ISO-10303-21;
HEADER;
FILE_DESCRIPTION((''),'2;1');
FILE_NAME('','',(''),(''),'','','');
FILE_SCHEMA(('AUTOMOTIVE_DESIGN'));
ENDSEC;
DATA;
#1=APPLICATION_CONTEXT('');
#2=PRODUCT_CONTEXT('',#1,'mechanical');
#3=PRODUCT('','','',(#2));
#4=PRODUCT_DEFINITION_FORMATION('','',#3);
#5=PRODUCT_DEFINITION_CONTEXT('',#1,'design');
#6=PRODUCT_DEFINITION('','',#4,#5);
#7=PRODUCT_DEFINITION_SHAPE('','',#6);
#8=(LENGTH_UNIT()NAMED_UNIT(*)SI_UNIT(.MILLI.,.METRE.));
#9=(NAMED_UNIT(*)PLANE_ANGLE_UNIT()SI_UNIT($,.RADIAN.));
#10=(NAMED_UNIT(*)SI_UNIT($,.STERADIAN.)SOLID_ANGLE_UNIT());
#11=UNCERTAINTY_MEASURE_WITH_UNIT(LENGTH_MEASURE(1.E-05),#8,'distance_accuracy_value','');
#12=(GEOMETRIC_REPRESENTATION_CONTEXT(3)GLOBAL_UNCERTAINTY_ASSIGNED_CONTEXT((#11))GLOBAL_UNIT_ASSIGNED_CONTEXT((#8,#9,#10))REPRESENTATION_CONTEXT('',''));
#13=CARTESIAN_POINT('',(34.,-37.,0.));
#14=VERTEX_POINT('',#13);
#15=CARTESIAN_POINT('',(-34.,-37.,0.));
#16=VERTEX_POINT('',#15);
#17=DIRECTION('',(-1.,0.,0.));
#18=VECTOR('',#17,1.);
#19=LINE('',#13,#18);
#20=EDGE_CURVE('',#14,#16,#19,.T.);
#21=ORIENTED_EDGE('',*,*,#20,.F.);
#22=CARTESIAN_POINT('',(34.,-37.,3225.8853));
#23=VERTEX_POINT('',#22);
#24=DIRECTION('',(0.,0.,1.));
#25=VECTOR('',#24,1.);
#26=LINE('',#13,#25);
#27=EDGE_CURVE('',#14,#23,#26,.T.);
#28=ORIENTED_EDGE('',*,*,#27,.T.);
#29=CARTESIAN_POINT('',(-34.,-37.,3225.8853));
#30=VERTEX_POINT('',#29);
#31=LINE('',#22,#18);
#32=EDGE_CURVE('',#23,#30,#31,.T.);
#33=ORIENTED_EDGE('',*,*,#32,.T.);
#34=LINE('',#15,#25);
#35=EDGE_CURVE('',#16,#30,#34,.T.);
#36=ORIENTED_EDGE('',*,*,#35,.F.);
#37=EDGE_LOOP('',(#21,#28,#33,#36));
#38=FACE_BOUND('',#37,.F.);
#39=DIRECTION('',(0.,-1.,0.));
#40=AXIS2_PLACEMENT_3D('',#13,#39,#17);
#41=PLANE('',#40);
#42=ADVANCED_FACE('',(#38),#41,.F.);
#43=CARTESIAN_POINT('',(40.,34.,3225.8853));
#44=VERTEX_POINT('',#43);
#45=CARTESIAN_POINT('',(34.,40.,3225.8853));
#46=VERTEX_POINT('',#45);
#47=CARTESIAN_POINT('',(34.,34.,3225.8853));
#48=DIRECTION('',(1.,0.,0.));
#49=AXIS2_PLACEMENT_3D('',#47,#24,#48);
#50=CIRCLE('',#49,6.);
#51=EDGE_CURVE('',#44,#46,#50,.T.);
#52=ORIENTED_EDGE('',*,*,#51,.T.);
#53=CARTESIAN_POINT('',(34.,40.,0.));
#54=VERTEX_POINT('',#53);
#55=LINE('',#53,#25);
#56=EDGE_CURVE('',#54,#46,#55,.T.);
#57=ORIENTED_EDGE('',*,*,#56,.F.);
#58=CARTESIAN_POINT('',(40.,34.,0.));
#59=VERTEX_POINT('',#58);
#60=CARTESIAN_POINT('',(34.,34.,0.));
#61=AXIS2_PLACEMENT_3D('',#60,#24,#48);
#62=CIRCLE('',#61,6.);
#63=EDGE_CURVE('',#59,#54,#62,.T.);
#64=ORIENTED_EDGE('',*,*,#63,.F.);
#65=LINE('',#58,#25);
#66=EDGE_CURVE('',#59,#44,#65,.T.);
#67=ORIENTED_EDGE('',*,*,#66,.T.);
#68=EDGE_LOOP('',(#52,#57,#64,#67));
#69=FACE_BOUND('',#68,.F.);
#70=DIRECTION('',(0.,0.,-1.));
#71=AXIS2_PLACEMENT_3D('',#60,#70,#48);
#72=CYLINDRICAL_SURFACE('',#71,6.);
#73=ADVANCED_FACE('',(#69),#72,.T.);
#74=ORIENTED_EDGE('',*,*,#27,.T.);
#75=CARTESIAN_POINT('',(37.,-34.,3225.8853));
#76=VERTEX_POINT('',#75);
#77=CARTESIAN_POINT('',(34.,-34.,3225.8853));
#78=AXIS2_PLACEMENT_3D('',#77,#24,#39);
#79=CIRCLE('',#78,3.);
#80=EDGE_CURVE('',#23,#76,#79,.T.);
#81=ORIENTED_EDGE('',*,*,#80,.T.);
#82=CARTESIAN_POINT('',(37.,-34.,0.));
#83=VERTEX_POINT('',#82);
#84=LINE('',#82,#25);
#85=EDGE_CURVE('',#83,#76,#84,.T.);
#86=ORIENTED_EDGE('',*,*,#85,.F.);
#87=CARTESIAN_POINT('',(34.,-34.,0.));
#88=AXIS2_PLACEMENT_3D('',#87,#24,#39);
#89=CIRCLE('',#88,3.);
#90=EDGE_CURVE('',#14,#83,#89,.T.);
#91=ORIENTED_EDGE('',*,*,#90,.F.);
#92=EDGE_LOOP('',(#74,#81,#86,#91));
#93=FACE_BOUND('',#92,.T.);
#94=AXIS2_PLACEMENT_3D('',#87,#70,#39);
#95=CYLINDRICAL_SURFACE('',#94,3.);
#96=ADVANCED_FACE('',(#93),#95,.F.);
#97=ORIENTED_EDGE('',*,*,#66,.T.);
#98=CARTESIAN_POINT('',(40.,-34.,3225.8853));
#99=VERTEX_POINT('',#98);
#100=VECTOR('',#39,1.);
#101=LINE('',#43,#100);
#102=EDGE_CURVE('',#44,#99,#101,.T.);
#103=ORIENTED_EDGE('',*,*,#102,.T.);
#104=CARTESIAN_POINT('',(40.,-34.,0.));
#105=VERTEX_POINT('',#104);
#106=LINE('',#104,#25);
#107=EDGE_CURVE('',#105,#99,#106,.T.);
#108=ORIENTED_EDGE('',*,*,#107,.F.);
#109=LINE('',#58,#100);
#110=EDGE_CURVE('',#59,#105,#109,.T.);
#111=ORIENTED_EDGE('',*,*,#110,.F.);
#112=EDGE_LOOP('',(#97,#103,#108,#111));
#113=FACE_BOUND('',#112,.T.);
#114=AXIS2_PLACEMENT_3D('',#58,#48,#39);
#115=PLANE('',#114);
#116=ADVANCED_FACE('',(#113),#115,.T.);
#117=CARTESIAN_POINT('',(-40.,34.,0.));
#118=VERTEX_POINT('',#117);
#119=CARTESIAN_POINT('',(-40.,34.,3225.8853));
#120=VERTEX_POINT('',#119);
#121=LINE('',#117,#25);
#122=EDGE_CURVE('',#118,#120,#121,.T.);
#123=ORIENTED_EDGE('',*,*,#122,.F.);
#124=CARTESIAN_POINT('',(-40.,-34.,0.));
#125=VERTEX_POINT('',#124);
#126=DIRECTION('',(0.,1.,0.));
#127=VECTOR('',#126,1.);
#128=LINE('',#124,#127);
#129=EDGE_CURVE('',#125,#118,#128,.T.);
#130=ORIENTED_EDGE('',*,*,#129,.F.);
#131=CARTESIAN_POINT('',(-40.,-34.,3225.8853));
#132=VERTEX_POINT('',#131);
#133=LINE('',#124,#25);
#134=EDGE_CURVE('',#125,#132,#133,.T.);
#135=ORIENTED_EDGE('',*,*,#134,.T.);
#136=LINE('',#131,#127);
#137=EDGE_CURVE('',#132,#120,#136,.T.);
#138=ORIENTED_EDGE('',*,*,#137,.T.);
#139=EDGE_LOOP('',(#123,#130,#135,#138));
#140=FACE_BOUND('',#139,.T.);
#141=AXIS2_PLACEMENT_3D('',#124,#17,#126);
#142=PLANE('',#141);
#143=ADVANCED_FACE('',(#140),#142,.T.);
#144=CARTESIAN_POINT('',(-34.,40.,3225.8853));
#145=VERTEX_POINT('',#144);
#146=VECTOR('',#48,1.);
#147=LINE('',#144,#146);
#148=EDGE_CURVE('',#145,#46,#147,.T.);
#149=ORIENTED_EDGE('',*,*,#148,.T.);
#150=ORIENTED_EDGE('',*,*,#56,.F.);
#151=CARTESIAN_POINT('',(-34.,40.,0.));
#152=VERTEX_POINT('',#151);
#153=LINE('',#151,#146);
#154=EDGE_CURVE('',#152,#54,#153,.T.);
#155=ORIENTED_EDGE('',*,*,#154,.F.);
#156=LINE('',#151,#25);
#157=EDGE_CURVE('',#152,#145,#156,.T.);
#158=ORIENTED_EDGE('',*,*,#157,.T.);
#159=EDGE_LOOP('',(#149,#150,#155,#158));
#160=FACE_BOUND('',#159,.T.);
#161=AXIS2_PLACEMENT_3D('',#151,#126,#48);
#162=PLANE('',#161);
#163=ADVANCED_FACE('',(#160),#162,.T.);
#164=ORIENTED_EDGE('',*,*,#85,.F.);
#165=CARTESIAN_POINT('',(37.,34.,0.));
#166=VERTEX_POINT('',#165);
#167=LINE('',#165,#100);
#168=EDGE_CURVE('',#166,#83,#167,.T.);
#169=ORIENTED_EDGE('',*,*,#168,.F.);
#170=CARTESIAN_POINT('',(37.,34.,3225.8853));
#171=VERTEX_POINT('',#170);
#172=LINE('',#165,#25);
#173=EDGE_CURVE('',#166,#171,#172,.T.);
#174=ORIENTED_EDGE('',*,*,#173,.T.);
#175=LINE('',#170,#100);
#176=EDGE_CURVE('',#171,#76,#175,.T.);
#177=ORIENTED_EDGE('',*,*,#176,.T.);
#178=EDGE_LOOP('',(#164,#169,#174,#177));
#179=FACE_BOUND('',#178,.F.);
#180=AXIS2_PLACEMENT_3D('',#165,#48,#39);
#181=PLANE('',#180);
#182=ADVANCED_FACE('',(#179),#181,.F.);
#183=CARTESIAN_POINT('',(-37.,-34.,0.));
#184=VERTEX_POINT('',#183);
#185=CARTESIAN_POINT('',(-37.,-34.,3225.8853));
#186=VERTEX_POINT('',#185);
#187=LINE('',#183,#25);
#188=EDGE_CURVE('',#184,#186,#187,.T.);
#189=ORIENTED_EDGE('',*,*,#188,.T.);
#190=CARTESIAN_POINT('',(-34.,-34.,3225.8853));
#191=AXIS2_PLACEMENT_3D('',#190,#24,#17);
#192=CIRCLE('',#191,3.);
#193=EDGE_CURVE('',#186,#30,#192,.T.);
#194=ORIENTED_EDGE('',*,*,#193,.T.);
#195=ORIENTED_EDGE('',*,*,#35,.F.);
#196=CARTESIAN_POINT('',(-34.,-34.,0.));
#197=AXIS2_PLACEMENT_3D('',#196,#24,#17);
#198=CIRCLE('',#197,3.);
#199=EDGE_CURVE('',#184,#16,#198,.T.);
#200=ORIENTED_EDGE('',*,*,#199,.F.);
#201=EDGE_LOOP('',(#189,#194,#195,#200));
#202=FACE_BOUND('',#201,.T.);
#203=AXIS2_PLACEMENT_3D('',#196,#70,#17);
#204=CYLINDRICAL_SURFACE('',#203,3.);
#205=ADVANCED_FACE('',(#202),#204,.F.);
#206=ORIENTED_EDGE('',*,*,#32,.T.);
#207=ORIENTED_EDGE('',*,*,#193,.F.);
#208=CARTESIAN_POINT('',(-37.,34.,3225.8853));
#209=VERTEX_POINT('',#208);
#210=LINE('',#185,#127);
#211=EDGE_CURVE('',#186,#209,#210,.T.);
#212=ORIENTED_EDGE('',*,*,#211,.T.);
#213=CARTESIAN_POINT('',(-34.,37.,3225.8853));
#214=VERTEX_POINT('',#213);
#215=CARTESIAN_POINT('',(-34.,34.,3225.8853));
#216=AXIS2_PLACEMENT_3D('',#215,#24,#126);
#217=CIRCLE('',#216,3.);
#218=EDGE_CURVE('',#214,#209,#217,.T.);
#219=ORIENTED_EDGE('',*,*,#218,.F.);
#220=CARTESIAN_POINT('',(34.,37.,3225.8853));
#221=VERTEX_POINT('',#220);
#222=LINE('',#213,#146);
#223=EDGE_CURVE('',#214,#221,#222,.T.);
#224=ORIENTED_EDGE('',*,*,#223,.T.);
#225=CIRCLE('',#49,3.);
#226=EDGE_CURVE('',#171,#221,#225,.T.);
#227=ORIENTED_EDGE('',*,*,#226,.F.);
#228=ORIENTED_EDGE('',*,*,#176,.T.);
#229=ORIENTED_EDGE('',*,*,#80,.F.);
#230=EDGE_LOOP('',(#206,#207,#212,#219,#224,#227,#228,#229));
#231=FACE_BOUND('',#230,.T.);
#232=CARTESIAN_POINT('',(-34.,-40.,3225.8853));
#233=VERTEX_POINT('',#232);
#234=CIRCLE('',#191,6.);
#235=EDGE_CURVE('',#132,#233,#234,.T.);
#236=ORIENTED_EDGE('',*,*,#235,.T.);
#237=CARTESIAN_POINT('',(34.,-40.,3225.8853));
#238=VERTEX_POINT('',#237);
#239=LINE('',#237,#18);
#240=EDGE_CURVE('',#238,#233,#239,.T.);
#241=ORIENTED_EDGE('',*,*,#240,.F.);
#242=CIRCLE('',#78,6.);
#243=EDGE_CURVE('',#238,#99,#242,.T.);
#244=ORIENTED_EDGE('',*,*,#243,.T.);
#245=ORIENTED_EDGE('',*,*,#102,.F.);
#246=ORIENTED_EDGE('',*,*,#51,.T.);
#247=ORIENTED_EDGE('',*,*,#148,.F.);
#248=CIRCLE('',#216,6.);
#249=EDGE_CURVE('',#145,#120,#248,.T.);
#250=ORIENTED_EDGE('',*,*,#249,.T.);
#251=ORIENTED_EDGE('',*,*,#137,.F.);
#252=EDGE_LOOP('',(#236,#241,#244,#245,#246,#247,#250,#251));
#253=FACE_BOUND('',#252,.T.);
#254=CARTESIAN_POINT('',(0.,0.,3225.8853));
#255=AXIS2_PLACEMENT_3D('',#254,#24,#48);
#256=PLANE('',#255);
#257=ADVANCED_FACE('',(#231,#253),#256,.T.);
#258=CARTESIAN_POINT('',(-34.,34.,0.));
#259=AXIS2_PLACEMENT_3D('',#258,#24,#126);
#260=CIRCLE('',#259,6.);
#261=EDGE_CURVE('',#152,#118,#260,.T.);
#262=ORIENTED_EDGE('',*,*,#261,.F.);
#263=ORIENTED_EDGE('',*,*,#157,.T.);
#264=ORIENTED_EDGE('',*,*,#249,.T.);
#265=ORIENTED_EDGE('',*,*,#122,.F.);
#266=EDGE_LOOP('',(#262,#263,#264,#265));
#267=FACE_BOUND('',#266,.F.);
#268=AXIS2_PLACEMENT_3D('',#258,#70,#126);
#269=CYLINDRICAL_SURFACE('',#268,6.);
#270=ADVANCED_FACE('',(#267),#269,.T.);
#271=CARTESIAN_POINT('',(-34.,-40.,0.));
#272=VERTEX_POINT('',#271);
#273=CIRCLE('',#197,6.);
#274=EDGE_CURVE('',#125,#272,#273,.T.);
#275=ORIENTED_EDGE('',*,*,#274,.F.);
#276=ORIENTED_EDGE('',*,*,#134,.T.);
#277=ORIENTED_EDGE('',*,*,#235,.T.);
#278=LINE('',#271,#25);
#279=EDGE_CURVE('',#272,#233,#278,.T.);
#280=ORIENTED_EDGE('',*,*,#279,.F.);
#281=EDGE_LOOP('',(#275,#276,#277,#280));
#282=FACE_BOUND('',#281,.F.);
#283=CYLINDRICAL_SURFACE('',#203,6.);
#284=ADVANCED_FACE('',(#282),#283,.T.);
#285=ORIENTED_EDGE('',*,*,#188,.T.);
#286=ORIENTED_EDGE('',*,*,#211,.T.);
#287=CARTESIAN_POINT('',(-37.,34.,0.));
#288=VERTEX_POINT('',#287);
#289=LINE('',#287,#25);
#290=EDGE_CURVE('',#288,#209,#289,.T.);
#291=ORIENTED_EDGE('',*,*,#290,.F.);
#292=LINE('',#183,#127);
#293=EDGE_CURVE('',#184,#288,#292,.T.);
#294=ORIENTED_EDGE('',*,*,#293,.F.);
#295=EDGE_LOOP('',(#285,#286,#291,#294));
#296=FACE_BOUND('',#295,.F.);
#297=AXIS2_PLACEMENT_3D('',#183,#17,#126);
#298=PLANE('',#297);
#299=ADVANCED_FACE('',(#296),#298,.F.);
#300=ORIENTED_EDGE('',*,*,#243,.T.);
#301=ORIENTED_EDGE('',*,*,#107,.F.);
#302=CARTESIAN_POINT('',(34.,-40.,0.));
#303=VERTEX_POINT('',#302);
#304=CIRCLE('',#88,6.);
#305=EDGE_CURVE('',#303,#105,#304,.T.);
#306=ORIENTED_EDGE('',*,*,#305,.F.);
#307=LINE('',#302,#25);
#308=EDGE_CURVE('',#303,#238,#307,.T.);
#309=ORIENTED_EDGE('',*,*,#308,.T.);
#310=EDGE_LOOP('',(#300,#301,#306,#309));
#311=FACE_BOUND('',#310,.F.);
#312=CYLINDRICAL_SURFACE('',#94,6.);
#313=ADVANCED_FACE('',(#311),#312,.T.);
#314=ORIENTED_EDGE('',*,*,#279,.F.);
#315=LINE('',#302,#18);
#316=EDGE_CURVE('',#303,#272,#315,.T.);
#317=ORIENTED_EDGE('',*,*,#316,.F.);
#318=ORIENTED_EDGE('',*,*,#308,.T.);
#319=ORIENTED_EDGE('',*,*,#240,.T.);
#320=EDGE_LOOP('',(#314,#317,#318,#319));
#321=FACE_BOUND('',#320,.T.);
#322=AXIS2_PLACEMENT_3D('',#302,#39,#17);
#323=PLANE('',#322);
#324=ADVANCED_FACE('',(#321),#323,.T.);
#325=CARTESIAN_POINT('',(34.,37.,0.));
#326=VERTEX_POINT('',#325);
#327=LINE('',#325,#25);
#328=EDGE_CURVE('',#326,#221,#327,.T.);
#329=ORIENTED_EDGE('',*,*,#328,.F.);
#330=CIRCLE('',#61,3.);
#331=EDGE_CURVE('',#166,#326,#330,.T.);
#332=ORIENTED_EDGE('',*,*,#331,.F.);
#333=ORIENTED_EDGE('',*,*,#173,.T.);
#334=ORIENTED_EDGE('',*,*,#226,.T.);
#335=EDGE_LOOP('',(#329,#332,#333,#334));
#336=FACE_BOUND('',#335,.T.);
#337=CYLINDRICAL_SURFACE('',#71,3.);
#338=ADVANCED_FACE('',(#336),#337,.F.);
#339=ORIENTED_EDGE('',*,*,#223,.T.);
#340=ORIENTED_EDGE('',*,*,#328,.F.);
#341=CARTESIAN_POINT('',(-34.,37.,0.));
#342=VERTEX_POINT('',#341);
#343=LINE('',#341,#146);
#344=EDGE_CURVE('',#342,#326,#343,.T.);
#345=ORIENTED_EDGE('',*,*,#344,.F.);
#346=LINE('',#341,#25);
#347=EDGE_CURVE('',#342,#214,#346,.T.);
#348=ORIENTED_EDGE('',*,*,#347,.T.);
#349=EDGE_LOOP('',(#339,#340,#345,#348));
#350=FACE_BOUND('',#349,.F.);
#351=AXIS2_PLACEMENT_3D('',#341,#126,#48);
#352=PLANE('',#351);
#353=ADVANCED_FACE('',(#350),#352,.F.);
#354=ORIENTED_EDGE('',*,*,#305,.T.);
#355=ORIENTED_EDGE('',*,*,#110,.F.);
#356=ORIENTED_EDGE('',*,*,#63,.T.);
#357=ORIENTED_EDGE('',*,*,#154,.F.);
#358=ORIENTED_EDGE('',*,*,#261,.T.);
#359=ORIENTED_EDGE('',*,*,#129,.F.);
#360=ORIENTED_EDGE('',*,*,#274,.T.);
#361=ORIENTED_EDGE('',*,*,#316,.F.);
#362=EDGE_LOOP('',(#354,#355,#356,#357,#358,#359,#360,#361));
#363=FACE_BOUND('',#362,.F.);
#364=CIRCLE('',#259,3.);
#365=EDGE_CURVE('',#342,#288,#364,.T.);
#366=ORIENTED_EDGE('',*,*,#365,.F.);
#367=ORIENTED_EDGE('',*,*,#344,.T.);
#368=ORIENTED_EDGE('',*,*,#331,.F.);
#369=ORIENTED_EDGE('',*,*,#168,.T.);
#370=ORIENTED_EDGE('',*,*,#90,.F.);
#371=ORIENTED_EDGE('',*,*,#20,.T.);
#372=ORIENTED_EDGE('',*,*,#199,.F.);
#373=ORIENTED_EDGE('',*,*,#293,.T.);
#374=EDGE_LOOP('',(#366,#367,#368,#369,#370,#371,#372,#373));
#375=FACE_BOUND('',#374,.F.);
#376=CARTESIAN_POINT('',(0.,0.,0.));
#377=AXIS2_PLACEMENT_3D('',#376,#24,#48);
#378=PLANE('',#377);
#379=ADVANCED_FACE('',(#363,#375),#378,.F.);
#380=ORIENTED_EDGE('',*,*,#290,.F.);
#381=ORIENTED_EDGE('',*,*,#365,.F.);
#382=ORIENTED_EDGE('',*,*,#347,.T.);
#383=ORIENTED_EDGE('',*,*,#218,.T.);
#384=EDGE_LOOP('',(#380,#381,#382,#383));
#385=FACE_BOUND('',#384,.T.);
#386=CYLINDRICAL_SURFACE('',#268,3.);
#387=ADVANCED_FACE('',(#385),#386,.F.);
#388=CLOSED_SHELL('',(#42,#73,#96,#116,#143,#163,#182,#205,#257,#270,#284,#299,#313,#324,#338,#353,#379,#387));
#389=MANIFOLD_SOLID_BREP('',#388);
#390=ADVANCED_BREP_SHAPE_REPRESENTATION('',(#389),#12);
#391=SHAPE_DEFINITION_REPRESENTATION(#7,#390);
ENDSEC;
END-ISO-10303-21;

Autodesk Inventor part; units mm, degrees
ref_plane "YZ Plane" through (0, 0, 0) normal (1, 0, 0) x (0, 1, 0)
ref_plane "Start Plane" through (0, 0, 0) normal (0, 0, 1) x (1, 0, 0)
ref_plane "End Plane" through (0, 0, 3225.8853) normal (0, 0, 1) x (1, 0, 0)
sketch "Sketch" plane through (0, 0, 0) normal (0, 0, 1) x (1, 0, 0)
  line L0 (-40, -34) -> (-40, 34)
  line L1 (-34, 40) -> (34, 40)
  line L2 (40, 34) -> (40, -34)
  line L3 (34, -40) -> (-34, -40)
  arc A0 (-40, -34) -> (-34, -40) centre (-34, -34) ccw
  arc A1 (40, 34) -> (34, 40) centre (34, 34) ccw
  arc A2 (-34, 40) -> (-40, 34) centre (-34, 34) ccw
  arc A3 (34, -40) -> (40, -34) centre (34, -34) ccw
  arc A4 (-34, 37) -> (-37, 34) centre (-34, 34) ccw
  line L4 (-34, 37) -> (34, 37)
  arc A5 (37, 34) -> (34, 37) centre (34, 34) ccw
  line L5 (37, 34) -> (37, -34)
  arc A6 (34, -37) -> (37, -34) centre (34, -34) ccw
  line L6 (34, -37) -> (-34, -37)
  arc A7 (-37, -34) -> (-34, -37) centre (-34, -34) ccw
  line L7 (-37, -34) -> (-37, 34)
  line L8 (0, 57.7397) -> (0, -57.7397) construction
  line L9 (-57.7397, 0) -> (57.7397, 0) construction
  dimension "d7" = 6
  dimension "d9" = 80
  dimension "d11" = 80
  dimension "d12" = 3
  dimension "d15" = 40
  dimension "d16" = 40
extrude "Body" add sketch "Sketch" along normal up to surface (3225.8853 mm away) from surface at 0
sketch "Sketch3" plane through (0, 0, 0) normal (0, 0, 1) x (1, 0, 0)
  line L0 (0, 0) -> (10, 0)
ref_plane "Work Plane3" through (0, 0, 0) normal (0, -1, 0) x (1, 0, 0)
sketch "Sketch4" plane through (0, 0, 0) normal (0, -1, 0) x (1, 0, 0)
  line L0 (-2, 0) -> (12, 0) projected
  line L1 (-2, 3225.8853) -> (12, 3225.8853) projected
  dimension "d18" = 3225.8853
equation "\"d7\" = G_IR"
equation "\"d9\" = G_W"
equation "\"d11\" = G_H"
equation "\"d12\" = G_T"
equation "\"d15\" = 0.5 * d9"
equation "\"d16\" = 0.5 * d11"
equation "\"d3\" = G_L"
equation "\"G_W\" = 80"
equation "\"G_H\" = 80"
equation "\"G_T\" = 3"
equation "\"G_IR\" = 6"
equation "\"G_L\" = d18"
equation "\"G_OFFSET_START\" = 0"
equation "\"G_OFFSET_END\" = 0"
equation "\"d14\" = G_OFFSET_END + B_L"
equation "\"B_L\" = 3225.88534"
properties part number "ISO 10799-2 - 80x80x3 - 3225,89" material "Steel, Mild"
